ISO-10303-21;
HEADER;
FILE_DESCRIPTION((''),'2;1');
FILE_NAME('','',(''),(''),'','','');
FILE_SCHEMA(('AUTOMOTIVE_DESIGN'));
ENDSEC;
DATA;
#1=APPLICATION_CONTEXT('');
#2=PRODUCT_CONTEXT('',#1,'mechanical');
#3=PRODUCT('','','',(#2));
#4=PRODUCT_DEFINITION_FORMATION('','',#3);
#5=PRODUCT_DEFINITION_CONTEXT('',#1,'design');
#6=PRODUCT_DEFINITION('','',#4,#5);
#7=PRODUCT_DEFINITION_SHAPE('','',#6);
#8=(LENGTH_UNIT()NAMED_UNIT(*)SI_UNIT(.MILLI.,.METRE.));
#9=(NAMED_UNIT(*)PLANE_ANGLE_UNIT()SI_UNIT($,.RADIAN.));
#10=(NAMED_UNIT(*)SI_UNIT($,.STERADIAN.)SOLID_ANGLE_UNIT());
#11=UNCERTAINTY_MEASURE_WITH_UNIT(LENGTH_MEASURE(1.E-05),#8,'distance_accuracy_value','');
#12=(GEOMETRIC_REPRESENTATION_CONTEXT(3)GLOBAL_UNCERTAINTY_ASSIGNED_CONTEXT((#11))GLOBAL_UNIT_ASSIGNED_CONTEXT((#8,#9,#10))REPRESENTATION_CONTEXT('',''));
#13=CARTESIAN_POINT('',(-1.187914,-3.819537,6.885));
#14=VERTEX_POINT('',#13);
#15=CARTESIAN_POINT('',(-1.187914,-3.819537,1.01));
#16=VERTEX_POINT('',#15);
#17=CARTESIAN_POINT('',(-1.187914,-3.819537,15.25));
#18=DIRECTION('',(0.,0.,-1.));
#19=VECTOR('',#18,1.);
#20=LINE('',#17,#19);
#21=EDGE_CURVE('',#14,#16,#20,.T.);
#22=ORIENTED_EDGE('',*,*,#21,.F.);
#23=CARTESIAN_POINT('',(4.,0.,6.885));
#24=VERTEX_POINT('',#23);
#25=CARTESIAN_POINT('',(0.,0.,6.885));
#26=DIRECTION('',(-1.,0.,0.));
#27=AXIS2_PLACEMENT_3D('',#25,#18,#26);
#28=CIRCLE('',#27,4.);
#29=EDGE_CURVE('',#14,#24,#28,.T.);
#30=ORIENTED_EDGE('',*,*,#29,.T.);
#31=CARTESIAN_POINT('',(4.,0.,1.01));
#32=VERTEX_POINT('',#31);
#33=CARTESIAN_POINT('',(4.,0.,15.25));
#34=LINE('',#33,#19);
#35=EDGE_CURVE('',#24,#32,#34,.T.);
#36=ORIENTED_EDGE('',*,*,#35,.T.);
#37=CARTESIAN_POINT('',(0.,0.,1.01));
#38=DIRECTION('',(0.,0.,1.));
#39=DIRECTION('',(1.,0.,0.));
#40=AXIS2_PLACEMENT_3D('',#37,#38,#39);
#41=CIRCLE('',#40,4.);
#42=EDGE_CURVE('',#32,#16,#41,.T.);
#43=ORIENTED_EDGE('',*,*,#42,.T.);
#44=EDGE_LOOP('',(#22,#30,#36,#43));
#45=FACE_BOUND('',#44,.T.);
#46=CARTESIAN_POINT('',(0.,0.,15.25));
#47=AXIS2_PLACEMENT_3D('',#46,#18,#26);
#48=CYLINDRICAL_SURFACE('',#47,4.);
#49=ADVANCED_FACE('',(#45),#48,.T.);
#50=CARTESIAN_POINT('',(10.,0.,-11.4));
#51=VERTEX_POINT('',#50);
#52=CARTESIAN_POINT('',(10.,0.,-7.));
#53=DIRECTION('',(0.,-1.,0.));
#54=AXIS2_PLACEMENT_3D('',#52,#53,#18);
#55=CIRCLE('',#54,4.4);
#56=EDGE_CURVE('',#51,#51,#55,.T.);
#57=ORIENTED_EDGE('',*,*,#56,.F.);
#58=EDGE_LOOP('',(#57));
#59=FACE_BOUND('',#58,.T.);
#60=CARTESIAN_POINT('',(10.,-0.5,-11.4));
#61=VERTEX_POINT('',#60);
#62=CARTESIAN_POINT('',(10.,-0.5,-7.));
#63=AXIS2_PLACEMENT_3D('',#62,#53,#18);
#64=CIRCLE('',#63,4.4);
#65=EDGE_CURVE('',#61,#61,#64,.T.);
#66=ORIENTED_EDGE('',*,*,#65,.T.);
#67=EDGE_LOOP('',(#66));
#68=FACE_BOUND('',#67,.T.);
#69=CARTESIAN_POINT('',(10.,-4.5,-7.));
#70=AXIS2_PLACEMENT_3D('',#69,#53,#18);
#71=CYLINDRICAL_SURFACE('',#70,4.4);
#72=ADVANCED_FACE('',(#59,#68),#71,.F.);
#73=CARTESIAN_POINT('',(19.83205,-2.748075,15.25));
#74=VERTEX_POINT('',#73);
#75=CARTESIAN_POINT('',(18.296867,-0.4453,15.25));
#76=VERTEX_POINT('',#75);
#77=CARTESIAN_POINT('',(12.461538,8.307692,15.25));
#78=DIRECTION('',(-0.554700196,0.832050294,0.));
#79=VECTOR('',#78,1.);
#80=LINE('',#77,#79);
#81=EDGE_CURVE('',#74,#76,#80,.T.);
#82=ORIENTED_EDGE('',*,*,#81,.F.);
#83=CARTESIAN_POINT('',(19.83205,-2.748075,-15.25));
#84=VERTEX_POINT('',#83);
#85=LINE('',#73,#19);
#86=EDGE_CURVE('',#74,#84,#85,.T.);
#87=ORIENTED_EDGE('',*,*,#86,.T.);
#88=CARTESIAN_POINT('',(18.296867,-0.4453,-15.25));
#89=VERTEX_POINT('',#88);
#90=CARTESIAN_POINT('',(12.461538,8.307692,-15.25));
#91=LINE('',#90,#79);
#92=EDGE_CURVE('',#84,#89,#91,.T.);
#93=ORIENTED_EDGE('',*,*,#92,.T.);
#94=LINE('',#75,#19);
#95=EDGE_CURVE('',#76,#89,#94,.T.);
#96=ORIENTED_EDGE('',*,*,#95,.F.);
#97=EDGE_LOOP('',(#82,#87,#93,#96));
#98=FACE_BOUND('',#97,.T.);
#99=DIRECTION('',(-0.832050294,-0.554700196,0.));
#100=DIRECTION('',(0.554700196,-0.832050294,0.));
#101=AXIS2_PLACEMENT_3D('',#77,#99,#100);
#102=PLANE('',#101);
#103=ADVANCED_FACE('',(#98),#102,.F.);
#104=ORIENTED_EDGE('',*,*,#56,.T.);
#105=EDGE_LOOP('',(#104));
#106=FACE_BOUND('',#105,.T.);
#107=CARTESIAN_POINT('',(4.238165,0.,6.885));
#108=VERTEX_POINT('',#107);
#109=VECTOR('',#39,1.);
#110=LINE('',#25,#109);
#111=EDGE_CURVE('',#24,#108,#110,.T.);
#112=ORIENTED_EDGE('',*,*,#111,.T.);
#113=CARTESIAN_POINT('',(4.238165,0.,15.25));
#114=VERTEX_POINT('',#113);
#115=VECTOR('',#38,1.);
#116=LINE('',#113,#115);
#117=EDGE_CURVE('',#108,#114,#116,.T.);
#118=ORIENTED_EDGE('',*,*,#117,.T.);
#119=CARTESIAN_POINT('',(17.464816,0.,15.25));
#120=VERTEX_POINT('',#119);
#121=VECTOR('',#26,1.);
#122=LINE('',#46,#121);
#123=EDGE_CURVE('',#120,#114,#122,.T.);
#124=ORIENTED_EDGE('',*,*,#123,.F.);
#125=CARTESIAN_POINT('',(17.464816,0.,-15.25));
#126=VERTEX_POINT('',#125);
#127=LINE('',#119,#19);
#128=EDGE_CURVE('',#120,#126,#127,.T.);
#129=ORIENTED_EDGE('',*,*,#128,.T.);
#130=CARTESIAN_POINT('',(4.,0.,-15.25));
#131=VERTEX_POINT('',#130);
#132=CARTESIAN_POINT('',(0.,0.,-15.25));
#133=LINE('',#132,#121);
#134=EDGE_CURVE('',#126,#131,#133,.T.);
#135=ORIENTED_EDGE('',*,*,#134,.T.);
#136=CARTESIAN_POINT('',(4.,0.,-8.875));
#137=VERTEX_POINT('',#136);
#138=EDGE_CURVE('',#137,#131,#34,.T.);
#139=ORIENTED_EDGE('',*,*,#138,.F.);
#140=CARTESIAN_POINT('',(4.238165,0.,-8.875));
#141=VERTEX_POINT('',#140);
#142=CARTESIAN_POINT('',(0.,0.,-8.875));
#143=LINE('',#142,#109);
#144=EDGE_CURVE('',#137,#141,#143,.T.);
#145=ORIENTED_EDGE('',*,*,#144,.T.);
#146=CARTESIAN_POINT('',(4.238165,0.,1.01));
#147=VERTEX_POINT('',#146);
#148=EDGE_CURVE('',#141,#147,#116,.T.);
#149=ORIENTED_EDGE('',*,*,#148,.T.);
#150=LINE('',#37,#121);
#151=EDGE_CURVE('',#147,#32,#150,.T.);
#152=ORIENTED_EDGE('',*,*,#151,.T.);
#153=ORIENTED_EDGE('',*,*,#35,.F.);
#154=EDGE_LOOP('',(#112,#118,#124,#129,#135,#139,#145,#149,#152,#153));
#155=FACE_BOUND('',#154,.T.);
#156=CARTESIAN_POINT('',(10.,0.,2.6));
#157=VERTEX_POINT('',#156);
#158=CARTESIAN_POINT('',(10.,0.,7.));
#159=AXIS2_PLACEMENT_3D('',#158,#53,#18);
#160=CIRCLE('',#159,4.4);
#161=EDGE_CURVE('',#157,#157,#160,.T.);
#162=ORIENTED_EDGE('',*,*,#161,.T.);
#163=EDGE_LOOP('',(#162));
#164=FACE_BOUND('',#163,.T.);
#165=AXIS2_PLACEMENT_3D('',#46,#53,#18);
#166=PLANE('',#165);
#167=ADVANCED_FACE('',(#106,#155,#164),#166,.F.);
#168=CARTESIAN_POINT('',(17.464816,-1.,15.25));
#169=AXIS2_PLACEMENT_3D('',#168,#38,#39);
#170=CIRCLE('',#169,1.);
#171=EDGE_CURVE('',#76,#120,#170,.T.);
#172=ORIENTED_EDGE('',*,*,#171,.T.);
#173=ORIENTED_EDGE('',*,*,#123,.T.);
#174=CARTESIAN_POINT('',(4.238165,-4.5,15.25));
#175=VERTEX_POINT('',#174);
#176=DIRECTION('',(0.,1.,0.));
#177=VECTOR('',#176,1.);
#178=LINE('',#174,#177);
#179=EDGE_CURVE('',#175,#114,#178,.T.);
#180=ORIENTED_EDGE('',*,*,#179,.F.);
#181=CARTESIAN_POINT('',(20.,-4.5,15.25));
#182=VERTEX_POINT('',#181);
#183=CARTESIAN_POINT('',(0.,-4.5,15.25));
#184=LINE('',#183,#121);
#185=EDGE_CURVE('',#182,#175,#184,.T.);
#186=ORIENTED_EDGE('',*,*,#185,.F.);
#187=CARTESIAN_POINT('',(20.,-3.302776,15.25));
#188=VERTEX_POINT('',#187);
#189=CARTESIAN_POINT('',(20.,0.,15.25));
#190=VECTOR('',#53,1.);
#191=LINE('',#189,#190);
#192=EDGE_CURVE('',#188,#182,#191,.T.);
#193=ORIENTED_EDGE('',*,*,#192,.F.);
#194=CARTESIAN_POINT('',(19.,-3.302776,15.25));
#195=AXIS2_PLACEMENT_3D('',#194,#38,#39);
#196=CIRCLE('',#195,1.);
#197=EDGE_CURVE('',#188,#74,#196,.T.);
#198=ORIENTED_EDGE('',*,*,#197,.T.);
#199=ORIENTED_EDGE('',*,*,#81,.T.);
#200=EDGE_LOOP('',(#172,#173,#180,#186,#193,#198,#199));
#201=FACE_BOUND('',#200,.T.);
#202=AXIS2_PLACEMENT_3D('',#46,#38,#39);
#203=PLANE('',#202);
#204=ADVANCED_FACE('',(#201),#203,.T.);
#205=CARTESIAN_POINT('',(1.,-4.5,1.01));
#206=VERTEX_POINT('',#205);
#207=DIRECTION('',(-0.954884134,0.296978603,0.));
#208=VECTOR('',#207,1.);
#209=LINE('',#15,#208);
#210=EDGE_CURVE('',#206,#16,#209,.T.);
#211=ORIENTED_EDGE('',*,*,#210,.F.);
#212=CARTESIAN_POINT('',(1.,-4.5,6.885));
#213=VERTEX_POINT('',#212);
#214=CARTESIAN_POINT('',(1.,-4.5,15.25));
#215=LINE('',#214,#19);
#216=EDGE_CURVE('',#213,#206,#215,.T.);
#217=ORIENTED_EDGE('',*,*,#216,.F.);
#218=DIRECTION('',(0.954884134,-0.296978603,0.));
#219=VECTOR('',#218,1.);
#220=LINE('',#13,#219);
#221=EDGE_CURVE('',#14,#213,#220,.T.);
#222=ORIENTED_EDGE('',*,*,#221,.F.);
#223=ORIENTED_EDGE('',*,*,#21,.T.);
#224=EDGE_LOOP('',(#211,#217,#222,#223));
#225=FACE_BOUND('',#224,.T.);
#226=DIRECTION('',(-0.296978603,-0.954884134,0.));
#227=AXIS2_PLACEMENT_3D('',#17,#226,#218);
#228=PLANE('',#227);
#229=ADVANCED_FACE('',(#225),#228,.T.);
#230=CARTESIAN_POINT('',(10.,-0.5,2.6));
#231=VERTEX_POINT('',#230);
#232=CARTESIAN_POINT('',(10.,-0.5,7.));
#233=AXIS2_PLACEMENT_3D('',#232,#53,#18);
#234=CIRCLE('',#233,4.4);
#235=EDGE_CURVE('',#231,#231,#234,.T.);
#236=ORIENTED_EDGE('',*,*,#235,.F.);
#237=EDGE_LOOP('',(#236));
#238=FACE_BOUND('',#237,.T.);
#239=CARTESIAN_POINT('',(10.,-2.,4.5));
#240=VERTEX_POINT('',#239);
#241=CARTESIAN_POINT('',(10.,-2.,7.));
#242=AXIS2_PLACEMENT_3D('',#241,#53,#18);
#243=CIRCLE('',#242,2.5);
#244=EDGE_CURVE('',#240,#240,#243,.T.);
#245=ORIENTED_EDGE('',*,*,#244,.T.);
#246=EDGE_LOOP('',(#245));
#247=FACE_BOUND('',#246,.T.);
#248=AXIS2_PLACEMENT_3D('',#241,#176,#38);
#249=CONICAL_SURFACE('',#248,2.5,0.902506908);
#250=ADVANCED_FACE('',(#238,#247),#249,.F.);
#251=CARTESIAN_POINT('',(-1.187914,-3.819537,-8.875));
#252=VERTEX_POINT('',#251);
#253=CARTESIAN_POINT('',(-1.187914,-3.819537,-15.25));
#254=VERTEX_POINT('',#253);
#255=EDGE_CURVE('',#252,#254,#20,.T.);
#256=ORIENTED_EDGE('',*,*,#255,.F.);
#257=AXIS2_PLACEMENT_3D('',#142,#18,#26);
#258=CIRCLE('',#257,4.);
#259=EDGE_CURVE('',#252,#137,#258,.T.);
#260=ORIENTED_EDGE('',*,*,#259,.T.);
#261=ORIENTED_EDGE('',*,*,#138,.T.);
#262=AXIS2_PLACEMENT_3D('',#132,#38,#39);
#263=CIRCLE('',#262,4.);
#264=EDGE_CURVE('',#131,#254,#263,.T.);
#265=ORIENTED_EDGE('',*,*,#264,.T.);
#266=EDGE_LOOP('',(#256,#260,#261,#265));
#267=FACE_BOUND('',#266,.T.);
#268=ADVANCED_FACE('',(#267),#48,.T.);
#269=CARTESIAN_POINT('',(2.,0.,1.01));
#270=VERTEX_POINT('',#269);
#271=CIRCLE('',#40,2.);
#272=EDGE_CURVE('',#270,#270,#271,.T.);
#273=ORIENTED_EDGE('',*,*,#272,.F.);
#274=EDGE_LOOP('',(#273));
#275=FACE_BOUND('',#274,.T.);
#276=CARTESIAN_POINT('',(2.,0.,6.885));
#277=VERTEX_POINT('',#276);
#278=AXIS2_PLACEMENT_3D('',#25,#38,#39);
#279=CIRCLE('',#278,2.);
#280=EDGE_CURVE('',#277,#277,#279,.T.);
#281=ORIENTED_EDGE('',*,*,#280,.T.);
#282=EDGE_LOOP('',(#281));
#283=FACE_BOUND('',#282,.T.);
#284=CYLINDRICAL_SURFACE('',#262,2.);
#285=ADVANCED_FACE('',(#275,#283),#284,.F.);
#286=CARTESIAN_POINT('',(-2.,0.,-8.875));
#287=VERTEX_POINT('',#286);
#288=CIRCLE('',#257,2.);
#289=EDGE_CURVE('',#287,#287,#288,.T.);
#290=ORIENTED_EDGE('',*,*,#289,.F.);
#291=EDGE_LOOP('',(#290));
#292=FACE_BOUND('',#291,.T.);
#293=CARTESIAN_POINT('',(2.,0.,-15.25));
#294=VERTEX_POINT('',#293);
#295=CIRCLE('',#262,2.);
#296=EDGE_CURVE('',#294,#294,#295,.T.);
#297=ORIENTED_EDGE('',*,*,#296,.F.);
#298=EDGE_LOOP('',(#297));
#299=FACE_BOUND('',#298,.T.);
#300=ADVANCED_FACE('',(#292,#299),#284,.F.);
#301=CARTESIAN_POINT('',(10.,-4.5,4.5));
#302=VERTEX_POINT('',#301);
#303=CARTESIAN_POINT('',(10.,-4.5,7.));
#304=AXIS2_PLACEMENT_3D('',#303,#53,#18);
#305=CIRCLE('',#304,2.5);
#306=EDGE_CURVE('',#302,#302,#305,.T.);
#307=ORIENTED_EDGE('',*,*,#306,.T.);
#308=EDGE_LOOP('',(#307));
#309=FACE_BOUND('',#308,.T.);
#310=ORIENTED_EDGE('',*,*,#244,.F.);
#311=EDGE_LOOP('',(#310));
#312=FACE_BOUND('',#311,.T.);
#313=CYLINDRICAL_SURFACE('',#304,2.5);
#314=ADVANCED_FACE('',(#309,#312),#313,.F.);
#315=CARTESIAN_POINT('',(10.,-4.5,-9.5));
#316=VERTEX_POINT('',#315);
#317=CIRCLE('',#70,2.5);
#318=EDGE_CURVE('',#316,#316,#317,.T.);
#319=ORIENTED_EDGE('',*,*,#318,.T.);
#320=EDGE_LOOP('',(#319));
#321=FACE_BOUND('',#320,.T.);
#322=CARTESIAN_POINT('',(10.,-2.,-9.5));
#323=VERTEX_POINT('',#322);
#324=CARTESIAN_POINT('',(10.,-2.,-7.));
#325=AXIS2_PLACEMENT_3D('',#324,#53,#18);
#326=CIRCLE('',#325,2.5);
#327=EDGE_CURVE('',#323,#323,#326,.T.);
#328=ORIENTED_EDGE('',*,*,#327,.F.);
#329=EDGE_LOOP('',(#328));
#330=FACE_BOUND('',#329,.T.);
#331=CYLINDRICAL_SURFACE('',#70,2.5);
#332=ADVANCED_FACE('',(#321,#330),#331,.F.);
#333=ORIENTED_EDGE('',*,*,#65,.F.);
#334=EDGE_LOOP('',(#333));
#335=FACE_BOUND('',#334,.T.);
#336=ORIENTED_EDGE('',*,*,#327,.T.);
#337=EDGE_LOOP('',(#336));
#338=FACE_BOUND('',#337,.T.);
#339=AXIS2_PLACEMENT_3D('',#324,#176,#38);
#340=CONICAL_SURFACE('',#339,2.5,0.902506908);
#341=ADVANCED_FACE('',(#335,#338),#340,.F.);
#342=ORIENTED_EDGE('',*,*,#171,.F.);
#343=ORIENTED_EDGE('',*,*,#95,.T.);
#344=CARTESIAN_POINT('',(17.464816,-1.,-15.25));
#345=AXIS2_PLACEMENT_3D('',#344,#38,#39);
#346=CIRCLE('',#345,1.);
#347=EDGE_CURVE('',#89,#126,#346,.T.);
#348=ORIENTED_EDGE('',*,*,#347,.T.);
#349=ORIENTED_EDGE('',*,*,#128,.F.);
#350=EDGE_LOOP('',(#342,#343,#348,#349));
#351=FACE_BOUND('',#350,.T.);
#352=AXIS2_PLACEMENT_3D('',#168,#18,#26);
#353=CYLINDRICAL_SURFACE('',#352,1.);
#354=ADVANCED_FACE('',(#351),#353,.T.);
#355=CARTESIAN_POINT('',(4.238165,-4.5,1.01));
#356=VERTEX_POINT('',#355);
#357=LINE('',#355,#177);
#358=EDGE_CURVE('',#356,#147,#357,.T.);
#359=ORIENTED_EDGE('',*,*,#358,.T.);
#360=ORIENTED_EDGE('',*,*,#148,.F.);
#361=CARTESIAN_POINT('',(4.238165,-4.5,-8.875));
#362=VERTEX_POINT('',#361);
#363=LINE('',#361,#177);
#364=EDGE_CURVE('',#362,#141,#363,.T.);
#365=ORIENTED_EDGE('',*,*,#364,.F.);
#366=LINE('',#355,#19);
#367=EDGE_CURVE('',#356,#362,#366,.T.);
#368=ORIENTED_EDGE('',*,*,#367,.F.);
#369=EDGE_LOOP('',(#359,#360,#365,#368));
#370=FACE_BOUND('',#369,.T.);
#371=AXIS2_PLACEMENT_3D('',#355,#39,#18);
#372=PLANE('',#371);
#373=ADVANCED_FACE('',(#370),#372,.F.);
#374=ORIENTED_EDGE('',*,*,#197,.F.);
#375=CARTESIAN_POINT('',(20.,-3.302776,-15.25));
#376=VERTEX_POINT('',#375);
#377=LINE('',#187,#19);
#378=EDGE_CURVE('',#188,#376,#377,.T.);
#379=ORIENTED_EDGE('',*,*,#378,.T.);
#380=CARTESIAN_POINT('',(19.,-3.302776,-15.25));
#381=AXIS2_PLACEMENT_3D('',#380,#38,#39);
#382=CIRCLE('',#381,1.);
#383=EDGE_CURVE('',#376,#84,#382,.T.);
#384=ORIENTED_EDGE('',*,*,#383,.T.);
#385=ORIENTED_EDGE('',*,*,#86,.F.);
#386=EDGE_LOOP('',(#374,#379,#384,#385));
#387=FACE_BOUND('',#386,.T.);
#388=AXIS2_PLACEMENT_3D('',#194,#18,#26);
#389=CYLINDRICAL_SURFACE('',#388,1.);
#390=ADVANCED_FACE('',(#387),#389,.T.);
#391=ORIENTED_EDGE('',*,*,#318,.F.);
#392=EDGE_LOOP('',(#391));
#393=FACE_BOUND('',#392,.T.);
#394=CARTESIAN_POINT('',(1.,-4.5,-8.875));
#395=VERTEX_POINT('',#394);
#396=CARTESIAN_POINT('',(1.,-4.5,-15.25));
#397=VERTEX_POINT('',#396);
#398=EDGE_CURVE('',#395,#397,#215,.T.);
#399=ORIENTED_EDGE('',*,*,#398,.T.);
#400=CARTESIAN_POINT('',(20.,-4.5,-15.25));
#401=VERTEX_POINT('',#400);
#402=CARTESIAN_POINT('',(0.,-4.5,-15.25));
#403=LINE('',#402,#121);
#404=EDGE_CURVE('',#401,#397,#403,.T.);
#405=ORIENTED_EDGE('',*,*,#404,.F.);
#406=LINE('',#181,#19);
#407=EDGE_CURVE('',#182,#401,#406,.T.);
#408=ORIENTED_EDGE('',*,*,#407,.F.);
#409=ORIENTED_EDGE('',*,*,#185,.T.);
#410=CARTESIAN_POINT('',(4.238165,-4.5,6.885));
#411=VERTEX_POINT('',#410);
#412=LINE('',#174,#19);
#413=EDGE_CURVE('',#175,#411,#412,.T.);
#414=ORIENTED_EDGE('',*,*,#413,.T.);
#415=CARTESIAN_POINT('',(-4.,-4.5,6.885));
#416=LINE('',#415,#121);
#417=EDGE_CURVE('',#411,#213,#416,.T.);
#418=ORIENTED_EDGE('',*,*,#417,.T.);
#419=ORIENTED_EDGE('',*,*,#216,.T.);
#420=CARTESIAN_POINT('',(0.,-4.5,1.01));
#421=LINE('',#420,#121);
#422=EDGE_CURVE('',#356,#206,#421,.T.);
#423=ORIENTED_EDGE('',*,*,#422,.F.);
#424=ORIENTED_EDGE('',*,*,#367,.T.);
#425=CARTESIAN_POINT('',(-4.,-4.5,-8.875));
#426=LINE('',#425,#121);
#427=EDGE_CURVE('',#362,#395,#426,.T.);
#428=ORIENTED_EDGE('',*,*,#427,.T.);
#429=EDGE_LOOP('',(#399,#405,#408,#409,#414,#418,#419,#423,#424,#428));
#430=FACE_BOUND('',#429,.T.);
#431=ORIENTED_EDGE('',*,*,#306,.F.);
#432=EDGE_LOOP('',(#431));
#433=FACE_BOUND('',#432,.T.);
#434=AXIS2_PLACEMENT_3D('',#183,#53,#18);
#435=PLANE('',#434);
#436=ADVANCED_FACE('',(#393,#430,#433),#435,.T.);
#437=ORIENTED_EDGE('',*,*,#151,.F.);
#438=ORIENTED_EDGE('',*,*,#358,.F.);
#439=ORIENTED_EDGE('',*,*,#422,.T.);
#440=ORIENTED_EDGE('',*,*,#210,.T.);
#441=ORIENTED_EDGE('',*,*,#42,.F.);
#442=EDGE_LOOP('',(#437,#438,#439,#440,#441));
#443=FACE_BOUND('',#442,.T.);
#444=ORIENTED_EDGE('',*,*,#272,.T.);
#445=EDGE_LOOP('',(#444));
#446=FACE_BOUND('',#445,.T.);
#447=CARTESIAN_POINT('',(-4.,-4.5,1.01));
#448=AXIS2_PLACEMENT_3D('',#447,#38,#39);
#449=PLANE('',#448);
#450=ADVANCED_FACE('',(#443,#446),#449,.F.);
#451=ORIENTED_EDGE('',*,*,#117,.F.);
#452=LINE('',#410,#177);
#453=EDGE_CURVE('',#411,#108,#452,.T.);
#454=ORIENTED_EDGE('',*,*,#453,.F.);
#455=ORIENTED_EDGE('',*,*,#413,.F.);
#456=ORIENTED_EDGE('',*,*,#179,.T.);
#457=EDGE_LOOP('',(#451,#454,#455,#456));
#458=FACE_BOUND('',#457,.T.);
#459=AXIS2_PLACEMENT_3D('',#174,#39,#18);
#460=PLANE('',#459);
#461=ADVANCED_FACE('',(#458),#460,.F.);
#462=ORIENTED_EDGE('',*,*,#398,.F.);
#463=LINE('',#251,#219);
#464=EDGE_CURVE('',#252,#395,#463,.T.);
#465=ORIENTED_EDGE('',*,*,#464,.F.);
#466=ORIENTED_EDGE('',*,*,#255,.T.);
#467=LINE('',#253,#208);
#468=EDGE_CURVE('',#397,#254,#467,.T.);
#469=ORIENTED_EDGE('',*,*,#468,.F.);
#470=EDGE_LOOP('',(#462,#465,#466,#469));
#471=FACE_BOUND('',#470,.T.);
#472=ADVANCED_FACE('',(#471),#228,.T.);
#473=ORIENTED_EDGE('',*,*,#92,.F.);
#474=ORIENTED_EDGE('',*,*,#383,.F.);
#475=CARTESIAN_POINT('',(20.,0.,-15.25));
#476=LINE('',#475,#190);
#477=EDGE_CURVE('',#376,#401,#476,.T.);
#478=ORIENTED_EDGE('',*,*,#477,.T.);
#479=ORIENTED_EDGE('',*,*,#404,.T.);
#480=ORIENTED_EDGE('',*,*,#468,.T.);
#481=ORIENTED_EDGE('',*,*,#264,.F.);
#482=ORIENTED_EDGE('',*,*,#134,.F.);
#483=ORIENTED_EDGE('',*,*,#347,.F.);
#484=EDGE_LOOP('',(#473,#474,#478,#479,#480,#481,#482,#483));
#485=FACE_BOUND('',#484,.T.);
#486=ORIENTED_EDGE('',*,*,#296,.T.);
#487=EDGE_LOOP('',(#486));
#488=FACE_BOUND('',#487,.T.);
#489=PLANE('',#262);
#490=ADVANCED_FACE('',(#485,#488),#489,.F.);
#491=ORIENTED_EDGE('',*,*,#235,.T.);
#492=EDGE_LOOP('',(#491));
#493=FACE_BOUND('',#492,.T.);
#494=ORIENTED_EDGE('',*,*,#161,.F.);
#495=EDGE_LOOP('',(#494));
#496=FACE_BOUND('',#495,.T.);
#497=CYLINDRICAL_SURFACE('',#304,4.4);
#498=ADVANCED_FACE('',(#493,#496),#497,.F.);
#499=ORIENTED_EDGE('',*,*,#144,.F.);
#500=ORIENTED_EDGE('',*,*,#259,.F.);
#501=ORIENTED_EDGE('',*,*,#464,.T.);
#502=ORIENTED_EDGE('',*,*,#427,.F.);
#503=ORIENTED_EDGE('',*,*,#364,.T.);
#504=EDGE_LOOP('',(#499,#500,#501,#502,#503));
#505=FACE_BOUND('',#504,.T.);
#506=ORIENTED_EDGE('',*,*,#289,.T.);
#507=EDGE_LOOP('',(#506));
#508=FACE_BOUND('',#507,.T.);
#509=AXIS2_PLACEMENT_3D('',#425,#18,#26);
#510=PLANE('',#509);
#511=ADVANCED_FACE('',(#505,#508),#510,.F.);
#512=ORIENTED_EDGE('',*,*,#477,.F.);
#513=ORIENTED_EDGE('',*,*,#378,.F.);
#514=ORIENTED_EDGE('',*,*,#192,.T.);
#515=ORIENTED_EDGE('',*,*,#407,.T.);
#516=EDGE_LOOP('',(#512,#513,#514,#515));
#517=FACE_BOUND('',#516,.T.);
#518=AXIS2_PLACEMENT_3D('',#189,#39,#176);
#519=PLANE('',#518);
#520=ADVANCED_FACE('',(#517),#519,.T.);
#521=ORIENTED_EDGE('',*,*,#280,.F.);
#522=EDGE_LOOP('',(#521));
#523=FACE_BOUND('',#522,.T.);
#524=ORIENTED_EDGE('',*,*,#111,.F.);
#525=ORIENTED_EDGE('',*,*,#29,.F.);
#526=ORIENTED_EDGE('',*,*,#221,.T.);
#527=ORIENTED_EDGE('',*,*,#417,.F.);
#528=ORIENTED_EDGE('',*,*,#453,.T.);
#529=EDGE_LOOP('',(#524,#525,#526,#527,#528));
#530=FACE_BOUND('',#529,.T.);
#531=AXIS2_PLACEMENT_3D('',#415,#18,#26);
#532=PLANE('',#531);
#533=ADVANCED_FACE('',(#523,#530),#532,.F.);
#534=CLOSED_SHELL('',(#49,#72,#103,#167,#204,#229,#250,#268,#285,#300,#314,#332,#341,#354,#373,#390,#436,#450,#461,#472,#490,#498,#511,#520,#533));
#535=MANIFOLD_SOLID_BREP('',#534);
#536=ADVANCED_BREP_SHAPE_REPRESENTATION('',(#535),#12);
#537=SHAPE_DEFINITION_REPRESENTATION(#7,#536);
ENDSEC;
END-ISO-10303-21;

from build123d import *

# Parameters (mm, degrees)
EXTRUDE_1_DEPTH          = 15.25
CUT_EXTRUDE_1_DEPTH      = 26.550195694
CUT_EXTRUDE_1_DEPTH_BACK = 26.550195694
SKETCH_3_W               = 8.238165393
SKETCH_3_H               = 8.365
SKETCH_3_H_2             = 9.885
SKETCH_4_R               = 2
CUT_EXTRUDE_2_DEPTH      = 31.169657356
PATTERN_LINEAR_1_COUNT   = 2
PATTERN_LINEAR_1_PITCH   = 14


with BuildPart() as part:
    # 草图1 → 凸台-拉伸1 (new, symmetric)
    with BuildSketch(Plane.XY):
        with BuildLine():
            Line((17.464816242, 0), (4, 0))
            ThreePointArc((4, 0), (-2.371533507, 3.221153338), (-1.187914412, -3.819536536))
            Line((-1.187914412, -3.819536536), (1, -4.5))
            Line((1, -4.5), (20, -4.5))
            Line((20, -4.5), (20, -3.302775638))
            ThreePointArc((20, -3.302775638), (19.957092026, -3.012991489), (19.832050294, -2.748075442))
            Line((19.832050294, -2.748075442), (18.296866536, -0.445299804))
            ThreePointArc((18.296866536, -0.445299804), (17.936674167, -0.118325401), (17.464816242, 0))
        make_face()
    extrude(amount=EXTRUDE_1_DEPTH, both=True)

    # 草图3 → 切除-拉伸1 (cut, two sides: drawn at the far end of the back side and taken through both)
    with BuildSketch(Plane(origin=(0, 0, 0), x_dir=(1, 0, 0), z_dir=(0, 1, 0)).offset(-CUT_EXTRUDE_1_DEPTH_BACK)):
        with Locations((0.119082697, -11.0675)):
            Rectangle(SKETCH_3_W, SKETCH_3_H)
        with Locations((0.119082697, 3.9325)):
            Rectangle(SKETCH_3_W, SKETCH_3_H_2)
    extrude(amount=CUT_EXTRUDE_1_DEPTH + CUT_EXTRUDE_1_DEPTH_BACK, mode=Mode.SUBTRACT)

    # 草图4 → 切除-拉伸2 (cut, through all)
    with BuildSketch(Plane.XY.offset(6.885)):
        Circle(SKETCH_4_R)
    extrude(amount=-CUT_EXTRUDE_2_DEPTH, mode=Mode.SUBTRACT)

    # 草图5 → 切除-旋转1 (revolve, cut)
    with BuildSketch(Plane.XY.offset(7), mode=Mode.PRIVATE) as cut_revolve_1_sk:
        Polygon((10, -4.5), (10, 0), (14.4, 0), (14.4, -0.5), (12.5, -2), (12.5, -4.5), align=None)
    cut_revolve_1 = revolve(cut_revolve_1_sk.sketch.rotate(Axis((10, -4.5, 7), (0, 1, 0)), 90), axis=Axis((10, -4.5, 7), (0, 1, 0)), mode=Mode.SUBTRACT)

    # 阵列(线性)1: 切除-旋转1 ×2
    with Locations(*[(0, 0, -i * PATTERN_LINEAR_1_PITCH) for i in range(1, PATTERN_LINEAR_1_COUNT)]):
        add(cut_revolve_1, mode=Mode.SUBTRACT)


solid = part.part
